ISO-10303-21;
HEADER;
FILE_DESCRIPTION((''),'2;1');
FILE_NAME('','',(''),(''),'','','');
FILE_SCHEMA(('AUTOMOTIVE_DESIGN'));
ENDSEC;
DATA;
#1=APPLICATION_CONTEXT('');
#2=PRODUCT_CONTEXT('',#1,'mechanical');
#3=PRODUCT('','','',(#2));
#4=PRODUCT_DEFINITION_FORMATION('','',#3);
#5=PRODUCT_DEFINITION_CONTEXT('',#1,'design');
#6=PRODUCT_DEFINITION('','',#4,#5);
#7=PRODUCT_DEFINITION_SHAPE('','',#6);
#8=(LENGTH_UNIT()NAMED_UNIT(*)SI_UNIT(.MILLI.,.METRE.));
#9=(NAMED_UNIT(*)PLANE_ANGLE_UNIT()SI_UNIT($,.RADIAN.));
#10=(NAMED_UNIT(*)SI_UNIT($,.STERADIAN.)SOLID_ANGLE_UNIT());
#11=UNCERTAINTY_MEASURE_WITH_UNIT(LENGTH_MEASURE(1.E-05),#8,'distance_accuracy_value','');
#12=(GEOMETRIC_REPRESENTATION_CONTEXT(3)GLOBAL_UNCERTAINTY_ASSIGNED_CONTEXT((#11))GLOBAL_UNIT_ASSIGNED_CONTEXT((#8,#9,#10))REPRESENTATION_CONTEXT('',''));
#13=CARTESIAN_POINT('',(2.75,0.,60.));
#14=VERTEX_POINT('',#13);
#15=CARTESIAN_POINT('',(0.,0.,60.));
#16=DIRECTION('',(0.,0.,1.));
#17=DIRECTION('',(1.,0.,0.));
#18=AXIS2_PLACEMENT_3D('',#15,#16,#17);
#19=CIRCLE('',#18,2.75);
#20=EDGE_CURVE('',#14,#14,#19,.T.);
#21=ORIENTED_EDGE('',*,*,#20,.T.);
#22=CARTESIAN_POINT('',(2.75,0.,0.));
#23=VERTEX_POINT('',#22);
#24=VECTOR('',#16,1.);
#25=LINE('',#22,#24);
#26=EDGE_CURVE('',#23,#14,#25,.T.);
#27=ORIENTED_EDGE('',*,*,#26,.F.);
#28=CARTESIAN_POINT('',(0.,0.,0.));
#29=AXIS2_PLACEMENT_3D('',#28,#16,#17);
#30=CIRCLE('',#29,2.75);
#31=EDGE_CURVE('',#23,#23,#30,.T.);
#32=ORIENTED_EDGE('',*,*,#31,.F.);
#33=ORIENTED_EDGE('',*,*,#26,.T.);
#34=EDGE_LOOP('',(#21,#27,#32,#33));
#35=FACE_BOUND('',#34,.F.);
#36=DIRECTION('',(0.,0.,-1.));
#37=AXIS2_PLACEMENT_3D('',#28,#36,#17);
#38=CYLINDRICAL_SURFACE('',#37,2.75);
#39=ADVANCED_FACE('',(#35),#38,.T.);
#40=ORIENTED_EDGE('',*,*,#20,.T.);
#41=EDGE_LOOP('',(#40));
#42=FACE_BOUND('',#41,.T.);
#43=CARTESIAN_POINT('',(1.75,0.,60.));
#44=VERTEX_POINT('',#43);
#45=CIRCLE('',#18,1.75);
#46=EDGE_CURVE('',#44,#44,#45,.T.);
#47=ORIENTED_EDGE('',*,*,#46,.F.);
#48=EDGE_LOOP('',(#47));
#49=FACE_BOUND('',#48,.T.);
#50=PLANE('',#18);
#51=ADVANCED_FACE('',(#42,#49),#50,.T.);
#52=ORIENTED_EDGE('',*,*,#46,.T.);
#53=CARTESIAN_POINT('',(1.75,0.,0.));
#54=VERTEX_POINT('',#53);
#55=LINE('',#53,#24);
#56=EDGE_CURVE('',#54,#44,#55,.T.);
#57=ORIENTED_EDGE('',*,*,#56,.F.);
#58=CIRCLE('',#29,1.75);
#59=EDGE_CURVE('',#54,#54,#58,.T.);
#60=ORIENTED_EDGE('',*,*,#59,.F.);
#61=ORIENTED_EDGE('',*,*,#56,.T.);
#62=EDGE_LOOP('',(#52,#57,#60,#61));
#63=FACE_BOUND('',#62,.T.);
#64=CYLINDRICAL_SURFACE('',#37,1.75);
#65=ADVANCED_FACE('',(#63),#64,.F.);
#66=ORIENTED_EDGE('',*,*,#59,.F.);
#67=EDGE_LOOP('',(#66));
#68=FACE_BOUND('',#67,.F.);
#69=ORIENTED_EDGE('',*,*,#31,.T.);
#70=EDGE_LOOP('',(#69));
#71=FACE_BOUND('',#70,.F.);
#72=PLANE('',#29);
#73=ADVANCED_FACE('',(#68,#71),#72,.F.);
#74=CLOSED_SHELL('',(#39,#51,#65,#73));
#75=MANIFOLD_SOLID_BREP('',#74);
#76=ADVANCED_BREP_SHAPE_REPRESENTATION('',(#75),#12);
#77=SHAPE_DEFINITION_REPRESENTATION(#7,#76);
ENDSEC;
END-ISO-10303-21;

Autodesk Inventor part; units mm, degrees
ref_plane "YZ Plane" through (0, 0, 0) normal (1, 0, 0) x (0, 1, 0)
ref_plane "XZ Plane" through (0, 0, 0) normal (0, 1, 0) x (-1, 0, 0)
ref_plane "XY Plane" through (0, 0, 0) normal (0, 0, 1) x (1, 0, 0)
sketch "Skizze1" plane through (0, 0, 0) normal (0, 0, 1) x (1, 0, 0)
  circle A0 centre (0, 0) radius 1.75
  circle A1 centre (0, 0) radius 2.75
  dimension "d0" = 1
  dimension "d1" = 3.5
extrude "Extrusion1" add sketch "Skizze1" along normal blind 60
properties part number "Base-Stewart-Connector"
